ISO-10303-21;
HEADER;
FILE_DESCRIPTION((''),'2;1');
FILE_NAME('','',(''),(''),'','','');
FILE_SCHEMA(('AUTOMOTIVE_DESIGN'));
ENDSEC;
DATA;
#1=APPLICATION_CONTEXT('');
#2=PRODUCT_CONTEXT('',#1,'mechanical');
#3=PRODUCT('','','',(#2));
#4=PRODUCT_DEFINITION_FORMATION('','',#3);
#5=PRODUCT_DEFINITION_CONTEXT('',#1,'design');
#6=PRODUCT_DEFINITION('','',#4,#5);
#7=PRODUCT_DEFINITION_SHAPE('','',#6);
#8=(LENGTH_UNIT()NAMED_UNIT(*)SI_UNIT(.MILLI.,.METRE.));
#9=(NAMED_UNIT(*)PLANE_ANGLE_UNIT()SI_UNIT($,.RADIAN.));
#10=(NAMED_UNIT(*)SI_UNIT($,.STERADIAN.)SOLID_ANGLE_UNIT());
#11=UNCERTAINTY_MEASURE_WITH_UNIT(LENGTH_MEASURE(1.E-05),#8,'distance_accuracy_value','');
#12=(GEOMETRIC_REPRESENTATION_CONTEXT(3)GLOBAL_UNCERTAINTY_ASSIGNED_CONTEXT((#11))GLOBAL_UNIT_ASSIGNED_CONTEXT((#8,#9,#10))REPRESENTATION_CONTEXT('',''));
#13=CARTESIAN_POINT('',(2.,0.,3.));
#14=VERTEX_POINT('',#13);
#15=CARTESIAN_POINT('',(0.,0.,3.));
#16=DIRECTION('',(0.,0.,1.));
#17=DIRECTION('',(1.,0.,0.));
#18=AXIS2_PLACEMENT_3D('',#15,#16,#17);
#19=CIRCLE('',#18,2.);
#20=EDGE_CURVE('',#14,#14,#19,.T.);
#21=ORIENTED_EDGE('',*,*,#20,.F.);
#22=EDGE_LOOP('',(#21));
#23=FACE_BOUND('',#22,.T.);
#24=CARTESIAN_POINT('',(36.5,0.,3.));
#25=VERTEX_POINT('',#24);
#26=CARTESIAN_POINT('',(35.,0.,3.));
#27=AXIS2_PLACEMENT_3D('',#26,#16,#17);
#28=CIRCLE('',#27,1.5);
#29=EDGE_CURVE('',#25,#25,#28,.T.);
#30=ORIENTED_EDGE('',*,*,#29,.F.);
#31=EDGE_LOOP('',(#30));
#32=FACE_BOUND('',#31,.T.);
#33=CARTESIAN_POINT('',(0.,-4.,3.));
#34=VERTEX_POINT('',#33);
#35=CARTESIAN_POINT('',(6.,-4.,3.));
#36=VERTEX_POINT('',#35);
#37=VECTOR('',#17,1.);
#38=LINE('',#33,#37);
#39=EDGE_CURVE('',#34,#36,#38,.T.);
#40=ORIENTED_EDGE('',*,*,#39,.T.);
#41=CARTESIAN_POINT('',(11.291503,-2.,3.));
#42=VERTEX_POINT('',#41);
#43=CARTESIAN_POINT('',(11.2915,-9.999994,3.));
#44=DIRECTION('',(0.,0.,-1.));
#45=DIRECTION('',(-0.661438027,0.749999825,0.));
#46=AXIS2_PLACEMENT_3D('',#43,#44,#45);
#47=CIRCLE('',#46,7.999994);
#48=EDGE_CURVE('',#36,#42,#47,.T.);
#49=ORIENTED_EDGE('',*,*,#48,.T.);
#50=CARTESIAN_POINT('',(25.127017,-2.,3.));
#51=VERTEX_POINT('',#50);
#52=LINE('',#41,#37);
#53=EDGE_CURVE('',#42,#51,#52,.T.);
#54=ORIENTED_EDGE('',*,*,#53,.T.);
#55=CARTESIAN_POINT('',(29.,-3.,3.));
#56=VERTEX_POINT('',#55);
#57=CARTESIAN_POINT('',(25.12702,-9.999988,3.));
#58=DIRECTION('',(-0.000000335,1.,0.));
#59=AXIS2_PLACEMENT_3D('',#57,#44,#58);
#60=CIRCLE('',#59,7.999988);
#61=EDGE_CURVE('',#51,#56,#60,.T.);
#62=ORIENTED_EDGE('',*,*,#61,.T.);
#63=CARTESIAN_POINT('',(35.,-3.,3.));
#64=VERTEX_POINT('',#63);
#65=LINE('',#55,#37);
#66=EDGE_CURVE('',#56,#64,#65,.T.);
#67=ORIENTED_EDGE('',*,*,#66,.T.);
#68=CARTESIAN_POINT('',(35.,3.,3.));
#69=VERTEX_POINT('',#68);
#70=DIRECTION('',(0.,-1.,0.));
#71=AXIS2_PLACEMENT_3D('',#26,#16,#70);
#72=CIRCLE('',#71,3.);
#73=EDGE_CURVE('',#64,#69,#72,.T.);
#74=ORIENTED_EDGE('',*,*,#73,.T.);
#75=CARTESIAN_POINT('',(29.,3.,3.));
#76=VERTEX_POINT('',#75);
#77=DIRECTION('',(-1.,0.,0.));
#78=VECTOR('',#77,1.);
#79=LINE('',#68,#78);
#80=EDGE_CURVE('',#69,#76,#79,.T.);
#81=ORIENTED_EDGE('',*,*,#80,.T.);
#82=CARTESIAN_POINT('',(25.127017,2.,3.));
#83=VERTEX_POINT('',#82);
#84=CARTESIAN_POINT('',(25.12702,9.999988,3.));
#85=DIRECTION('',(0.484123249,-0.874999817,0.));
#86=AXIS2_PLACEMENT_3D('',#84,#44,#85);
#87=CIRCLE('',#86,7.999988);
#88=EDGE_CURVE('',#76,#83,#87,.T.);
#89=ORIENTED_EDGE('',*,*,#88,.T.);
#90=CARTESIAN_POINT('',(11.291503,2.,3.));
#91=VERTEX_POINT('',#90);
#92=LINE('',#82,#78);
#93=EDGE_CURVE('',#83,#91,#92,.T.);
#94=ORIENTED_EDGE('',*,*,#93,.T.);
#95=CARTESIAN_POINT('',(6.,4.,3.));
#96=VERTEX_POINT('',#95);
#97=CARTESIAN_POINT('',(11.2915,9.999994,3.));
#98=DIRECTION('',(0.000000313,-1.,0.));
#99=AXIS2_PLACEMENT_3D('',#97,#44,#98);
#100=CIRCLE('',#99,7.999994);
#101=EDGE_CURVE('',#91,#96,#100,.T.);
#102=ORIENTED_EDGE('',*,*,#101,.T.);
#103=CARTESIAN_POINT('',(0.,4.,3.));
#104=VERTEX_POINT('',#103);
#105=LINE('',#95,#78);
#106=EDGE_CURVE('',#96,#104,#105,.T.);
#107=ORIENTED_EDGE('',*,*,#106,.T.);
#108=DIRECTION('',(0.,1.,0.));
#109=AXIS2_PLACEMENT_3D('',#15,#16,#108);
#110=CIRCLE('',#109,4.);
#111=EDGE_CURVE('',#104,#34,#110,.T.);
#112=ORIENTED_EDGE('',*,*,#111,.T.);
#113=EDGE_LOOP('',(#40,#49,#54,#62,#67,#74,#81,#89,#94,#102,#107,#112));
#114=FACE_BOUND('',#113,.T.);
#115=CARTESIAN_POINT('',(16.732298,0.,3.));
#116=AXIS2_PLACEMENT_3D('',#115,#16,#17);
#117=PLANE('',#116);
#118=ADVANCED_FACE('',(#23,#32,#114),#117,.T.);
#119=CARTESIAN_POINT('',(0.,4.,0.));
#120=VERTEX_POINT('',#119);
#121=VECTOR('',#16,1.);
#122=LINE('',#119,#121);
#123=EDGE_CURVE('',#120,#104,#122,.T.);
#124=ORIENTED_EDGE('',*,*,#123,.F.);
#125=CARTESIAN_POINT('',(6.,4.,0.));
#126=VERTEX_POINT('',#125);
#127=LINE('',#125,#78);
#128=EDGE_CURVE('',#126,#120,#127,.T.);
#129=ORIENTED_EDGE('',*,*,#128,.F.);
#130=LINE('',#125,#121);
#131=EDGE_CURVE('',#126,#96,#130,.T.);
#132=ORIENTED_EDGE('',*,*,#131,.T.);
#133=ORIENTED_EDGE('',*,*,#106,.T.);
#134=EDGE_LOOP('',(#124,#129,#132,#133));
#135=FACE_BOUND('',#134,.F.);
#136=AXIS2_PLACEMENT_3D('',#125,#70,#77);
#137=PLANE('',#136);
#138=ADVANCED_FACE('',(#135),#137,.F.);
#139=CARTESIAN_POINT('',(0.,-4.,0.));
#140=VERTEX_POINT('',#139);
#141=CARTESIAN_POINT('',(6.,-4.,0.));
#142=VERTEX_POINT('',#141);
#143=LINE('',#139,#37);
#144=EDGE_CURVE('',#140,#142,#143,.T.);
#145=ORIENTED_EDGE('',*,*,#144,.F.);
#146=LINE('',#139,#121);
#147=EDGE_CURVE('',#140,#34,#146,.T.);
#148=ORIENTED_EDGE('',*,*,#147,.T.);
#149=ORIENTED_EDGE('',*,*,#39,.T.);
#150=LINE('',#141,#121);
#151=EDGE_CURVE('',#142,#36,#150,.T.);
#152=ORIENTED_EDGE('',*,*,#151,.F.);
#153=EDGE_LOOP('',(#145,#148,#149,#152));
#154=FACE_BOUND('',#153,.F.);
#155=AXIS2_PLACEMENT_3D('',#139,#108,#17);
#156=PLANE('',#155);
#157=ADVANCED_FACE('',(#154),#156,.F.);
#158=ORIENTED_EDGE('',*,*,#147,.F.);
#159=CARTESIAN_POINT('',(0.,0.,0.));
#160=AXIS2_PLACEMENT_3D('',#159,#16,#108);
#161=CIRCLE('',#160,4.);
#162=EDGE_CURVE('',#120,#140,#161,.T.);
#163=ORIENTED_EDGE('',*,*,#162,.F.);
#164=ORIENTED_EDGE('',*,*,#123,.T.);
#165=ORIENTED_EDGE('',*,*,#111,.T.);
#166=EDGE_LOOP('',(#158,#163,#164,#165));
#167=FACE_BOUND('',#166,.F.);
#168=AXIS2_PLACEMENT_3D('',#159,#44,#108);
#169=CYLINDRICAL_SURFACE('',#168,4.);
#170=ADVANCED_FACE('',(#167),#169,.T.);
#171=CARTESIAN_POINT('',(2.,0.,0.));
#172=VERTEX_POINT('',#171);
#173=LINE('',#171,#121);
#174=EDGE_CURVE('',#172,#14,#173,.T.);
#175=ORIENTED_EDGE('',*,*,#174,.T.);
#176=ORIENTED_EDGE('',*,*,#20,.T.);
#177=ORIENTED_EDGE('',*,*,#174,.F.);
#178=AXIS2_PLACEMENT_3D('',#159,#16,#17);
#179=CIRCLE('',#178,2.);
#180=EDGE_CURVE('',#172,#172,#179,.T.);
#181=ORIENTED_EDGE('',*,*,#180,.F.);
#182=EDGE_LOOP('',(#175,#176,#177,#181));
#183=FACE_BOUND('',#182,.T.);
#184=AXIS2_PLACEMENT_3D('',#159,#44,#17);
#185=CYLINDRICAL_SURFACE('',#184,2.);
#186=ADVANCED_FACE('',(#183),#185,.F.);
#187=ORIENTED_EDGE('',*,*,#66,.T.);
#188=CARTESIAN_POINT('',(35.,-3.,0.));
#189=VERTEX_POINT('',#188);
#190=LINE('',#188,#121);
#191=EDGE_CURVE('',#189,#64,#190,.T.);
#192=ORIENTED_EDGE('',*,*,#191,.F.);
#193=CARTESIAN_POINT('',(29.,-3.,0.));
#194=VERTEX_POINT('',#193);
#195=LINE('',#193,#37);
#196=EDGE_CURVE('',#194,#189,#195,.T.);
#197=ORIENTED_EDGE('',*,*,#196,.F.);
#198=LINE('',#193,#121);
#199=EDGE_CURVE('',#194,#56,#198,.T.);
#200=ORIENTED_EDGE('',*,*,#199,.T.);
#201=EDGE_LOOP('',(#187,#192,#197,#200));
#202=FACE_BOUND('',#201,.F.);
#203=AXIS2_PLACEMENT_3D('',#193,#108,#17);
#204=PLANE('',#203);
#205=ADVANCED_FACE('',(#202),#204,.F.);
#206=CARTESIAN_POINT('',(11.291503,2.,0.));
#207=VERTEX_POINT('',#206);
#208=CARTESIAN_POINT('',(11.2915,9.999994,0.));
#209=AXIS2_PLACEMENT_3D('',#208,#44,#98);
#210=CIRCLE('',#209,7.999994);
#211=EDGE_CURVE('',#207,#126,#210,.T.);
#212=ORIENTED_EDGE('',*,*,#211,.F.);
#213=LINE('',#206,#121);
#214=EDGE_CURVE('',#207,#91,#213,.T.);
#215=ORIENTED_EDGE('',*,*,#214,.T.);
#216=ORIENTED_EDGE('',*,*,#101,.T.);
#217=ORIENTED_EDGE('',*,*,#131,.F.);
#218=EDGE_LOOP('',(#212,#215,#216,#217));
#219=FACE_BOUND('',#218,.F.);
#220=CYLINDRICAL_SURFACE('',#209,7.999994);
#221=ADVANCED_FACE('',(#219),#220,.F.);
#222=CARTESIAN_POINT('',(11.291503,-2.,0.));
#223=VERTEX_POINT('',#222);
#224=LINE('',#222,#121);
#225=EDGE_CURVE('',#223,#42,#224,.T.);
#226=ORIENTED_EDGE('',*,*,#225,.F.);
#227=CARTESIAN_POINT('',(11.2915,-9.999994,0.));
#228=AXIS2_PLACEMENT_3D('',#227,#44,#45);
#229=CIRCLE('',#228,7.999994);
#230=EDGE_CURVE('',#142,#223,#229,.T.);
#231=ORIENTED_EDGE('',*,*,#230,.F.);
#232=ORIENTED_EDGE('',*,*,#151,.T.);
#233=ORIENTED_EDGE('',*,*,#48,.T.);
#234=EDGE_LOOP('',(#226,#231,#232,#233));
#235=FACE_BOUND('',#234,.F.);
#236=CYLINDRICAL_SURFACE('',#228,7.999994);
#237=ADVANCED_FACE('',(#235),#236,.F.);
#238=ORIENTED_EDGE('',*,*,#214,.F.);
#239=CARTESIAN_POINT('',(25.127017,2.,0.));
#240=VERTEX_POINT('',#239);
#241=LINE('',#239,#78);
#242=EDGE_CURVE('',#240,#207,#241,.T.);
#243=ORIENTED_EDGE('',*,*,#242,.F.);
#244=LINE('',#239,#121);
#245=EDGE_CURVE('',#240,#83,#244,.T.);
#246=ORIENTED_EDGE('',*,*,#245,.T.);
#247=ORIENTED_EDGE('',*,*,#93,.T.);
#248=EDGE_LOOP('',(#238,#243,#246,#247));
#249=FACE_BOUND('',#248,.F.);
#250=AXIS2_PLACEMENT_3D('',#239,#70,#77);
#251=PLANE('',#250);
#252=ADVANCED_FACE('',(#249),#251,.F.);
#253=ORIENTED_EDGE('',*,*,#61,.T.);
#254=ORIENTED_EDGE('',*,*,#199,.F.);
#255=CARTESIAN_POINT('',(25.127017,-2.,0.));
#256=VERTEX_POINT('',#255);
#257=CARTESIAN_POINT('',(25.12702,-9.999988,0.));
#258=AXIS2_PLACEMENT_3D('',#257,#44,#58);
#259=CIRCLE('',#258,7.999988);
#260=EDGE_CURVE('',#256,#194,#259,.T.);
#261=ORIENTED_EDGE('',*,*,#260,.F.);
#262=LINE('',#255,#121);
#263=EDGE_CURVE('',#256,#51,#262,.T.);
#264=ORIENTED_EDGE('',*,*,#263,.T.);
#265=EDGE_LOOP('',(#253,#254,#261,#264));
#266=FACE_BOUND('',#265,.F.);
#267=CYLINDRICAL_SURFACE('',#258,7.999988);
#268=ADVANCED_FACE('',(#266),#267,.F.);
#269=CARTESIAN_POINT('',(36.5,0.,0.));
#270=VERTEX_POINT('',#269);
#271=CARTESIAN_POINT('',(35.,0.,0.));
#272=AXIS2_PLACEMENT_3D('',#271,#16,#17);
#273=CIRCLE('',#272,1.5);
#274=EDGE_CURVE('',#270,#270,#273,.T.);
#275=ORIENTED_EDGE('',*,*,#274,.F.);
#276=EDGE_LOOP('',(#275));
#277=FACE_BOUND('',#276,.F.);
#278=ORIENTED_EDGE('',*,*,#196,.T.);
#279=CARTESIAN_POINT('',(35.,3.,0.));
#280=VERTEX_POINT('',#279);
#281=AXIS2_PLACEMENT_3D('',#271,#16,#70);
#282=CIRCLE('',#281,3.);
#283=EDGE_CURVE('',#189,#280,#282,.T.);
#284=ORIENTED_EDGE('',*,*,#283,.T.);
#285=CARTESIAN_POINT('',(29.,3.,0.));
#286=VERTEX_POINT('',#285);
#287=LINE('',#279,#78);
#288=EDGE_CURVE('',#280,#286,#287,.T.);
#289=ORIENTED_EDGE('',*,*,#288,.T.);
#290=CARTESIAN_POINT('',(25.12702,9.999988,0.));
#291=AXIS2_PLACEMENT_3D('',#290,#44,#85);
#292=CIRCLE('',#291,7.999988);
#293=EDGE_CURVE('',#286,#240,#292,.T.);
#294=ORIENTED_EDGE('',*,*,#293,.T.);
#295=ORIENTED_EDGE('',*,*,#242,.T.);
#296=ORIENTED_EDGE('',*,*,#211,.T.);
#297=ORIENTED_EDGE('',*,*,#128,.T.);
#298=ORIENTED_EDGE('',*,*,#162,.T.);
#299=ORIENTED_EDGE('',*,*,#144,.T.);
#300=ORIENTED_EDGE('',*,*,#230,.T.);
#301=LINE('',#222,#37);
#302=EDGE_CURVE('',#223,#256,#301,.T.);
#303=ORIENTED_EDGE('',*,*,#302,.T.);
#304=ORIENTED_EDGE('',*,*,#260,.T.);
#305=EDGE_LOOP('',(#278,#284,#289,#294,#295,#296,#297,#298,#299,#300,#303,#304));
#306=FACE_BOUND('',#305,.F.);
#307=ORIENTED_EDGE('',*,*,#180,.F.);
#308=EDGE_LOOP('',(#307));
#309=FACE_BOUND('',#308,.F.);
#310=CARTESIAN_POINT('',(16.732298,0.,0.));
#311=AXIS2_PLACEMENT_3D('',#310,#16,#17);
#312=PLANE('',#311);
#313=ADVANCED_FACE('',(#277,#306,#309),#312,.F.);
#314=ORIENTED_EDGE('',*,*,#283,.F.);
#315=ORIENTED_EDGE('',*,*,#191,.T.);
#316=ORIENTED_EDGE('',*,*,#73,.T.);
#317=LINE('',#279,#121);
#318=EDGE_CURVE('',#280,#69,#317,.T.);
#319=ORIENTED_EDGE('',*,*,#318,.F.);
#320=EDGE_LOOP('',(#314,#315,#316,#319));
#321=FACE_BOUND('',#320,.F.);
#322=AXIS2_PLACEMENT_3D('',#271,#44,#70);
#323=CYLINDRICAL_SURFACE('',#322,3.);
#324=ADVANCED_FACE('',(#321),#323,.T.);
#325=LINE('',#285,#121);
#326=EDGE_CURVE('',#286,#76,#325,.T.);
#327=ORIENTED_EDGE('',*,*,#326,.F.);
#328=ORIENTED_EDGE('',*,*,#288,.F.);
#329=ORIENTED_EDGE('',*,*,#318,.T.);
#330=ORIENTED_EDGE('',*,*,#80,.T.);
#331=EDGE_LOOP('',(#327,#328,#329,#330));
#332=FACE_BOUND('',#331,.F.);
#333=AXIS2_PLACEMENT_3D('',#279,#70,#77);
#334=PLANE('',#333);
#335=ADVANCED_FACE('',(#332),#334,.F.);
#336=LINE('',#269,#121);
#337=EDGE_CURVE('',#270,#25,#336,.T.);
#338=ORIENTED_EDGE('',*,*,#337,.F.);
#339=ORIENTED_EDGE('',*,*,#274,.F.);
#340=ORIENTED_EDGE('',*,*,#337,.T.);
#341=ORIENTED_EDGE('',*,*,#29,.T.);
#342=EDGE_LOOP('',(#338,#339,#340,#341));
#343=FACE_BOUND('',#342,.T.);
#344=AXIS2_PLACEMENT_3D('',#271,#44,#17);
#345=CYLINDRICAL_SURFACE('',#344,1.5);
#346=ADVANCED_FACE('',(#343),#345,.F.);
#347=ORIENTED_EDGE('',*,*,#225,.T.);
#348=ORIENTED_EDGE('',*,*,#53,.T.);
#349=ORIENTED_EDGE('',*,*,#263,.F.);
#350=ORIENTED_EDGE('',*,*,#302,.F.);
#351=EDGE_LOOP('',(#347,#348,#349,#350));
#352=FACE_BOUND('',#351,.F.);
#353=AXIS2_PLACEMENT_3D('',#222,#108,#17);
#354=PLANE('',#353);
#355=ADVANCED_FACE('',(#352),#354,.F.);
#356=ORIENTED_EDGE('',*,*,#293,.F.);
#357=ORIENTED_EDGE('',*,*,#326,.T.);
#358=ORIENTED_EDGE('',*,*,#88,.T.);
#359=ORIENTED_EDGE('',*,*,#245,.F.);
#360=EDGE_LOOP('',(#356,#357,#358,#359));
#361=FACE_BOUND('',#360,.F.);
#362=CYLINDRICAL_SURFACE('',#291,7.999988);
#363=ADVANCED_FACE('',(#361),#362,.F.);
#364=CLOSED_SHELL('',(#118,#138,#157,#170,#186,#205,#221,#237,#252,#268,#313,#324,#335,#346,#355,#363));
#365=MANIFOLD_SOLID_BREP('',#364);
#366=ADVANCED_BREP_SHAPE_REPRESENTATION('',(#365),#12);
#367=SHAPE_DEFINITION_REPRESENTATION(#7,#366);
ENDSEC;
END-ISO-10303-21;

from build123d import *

# Parameters (mm, degrees)
F0_R     = 2
F0_R_2   = 1.5
F1_DEPTH = 3


with BuildPart() as f1:
    # F0 (on Top) → F1 (new body)
    with BuildSketch(Plane.XY):
        with BuildLine():
            Line((6, 4), (0, 4))
            ThreePointArc((0, 4), (-4, 0), (0, -4))
            Line((0, -4), (6, -4))
            ThreePointArc((6, -4), (8.463075, -2.516685), (11.291503, -2))
            Line((11.291503, -2), (25.127017, -2))
            ThreePointArc((25.127017, -2), (27.127017, -2.254033), (29, -3))
            Line((29, -3), (35, -3))
            ThreePointArc((35, -3), (38, 0), (35, 3))
            Line((35, 3), (29, 3))
            ThreePointArc((29, 3), (27.127017, 2.254033), (25.127017, 2))
            Line((25.127017, 2), (11.291503, 2))
            ThreePointArc((11.291503, 2), (8.463075, 2.516685), (6, 4))
        make_face()
        Circle(F0_R, mode=Mode.SUBTRACT)
        with Locations((35, 0)):
            Circle(F0_R_2, mode=Mode.SUBTRACT)
    extrude(amount=F1_DEPTH)


solid = f1.part
